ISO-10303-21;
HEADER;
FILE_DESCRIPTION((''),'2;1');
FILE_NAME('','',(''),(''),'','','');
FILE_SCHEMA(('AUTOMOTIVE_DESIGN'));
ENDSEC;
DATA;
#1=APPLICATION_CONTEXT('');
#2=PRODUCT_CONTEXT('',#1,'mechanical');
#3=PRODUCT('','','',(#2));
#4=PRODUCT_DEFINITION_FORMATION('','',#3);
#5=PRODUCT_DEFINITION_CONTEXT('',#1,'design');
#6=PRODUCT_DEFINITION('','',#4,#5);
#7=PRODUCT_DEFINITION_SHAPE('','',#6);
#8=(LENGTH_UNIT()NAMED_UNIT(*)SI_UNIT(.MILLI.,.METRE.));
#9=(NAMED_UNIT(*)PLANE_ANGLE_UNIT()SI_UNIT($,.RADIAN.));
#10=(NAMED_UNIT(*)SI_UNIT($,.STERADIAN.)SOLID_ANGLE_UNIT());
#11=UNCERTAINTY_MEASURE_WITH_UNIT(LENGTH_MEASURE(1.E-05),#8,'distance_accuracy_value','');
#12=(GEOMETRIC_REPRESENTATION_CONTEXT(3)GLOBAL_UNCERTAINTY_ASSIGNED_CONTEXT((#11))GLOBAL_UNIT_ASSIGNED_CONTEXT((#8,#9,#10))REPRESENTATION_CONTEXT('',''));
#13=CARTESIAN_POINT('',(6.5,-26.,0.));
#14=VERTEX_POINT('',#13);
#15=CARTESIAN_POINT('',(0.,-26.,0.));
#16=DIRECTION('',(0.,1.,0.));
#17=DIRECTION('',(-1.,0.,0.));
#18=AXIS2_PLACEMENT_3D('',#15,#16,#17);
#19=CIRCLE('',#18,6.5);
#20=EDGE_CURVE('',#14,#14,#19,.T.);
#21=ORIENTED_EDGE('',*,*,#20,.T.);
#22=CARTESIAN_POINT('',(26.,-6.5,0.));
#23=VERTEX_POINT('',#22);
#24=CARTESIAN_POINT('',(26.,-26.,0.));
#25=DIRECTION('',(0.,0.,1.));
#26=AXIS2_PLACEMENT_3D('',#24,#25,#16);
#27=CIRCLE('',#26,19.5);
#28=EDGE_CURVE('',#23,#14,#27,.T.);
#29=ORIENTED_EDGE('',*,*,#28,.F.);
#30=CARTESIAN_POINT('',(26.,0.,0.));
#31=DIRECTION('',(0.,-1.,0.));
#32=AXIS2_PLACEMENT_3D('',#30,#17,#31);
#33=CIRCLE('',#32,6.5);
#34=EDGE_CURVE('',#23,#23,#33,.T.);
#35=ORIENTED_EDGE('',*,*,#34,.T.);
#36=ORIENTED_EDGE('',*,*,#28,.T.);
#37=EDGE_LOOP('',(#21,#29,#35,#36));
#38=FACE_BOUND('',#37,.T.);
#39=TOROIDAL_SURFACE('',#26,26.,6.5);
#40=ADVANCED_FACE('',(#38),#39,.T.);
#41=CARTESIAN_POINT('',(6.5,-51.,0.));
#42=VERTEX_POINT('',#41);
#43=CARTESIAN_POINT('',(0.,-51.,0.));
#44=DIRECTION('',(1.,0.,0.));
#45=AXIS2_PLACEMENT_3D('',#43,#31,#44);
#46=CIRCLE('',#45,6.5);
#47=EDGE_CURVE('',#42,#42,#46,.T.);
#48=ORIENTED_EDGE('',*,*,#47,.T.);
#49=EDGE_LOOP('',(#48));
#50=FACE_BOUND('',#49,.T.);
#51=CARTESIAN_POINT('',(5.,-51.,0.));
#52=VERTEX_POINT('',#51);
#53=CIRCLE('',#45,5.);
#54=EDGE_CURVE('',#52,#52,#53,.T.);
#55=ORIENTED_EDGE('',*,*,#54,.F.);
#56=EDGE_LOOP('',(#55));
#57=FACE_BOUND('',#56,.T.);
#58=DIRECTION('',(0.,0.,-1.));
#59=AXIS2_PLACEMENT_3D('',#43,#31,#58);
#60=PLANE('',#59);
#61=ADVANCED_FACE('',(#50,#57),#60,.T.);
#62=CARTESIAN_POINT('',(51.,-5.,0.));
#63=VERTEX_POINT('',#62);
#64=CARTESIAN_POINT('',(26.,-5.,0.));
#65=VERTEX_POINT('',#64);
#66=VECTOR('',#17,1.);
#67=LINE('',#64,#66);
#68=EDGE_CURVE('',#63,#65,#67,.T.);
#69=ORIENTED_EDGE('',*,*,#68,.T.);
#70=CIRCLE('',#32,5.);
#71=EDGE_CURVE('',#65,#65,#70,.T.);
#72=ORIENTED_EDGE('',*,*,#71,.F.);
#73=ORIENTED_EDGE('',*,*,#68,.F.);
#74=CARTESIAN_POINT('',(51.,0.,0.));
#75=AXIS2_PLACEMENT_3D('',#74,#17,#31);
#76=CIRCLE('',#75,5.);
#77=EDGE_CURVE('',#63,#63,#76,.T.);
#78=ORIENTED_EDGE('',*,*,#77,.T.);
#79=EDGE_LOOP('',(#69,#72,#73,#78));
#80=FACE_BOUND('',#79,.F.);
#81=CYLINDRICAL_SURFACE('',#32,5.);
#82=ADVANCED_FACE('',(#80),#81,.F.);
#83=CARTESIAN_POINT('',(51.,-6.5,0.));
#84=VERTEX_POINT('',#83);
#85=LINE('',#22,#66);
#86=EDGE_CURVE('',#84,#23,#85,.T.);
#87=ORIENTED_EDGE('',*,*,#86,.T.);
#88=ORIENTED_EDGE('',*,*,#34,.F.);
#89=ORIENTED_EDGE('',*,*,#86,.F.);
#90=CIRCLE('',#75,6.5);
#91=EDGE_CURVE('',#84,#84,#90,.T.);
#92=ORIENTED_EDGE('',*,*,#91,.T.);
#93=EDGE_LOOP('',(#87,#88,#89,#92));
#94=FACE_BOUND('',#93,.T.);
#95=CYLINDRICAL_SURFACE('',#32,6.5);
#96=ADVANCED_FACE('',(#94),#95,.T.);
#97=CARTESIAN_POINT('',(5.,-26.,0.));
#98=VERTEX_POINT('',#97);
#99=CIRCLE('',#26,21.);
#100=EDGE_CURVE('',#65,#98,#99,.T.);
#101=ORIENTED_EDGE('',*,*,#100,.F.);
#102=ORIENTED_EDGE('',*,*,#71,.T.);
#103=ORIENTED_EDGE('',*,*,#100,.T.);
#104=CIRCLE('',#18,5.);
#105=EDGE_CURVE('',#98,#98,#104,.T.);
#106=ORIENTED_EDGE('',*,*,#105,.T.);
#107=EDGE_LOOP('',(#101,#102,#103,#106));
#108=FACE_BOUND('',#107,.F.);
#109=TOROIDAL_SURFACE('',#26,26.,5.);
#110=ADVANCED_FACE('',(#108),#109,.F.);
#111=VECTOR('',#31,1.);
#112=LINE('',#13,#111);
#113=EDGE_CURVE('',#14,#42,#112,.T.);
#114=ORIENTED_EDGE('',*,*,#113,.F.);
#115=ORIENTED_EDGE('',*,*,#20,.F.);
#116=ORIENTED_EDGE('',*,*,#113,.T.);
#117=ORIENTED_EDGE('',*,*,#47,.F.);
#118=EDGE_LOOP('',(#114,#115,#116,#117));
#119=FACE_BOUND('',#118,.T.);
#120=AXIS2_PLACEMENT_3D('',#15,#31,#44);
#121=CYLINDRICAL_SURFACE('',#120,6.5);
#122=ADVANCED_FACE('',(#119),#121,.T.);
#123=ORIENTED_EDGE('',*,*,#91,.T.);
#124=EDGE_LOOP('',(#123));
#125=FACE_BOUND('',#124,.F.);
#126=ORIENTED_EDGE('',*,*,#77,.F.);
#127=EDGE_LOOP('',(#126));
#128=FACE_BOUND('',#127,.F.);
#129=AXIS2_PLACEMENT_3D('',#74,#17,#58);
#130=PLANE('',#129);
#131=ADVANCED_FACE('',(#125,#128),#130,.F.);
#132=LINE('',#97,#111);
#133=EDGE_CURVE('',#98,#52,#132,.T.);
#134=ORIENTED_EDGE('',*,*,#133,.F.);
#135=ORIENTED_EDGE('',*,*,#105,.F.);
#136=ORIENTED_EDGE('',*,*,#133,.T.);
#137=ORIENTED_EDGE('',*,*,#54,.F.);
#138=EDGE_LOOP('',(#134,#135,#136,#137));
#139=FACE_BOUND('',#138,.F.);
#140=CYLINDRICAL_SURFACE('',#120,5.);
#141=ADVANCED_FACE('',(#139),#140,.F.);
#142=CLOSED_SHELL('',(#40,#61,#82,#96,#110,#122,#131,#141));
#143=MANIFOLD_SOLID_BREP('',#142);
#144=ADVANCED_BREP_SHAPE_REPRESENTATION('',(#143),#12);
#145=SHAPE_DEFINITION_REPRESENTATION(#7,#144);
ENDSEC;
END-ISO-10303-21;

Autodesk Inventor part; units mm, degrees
ref_plane "YZ Plane" through (0, 0, 0) normal (1, 0, 0) x (0, 1, 0)
ref_plane "XZ Plane" through (0, 0, 0) normal (0, 1, 0) x (-1, 0, 0)
sketch "Szkic6" plane through (0, 0, 0) normal (0, 0, 1) x (1, 0, 0)
  line L0 (-29.6067, 0) -> (35.2678, 0) construction
  line L1 (0, 42.3419) -> (0, -58.3726) construction
  arc A0 (26, 0) -> (0, -26) centre (26, -26) ccw
  line L2 (0, -26) -> (26, -26) construction
  line L3 (26, -26) -> (26, 39.5331) construction
  line L4 (26, 0) -> (51, 0)
  line L5 (0, -26) -> (0, -51)
  point P0 (0, 0)
  dimension "d24" = 26
  dimension "d31" = 90
  dimension "d36" = 25
  dimension "d37" = 25
ref_plane "Płaszczyzna konstrukcyjna2" through (0, -26, 0) normal (0, -1, 0) x (1, 0, 0)
sketch "Szkic8" plane through (0, -26, 0) normal (0, -1, 0) x (1, 0, 0)
  circle A0 centre (0, 0) radius 6.5
  circle A1 centre (0, 0) radius 5
  dimension "d32" = 13
  dimension "d33" = 1.5
sweep "Przeciągnięcie2" add profiles "Szkic8" path "Szkic6"
equation "\"d32\" = OD"
equation "\"d33\" = THK"
equation "\"d24\" = R"
equation "\"d31\" = KAT"
equation "\"d36\" = PROSTKA"
equation "\"d37\" = PROSTKA"
equation "\"SzerokośćGięciaPodcięcia\" = Grubość"
equation "\"RozmiarPodcięciaNarożnika\" = 4 * Grubość"
equation "\"PromieńPrzejścia\" = PromieńGięcia"
equation "\"Rozmiar_promienia_Jacobiego\" = PromieńGięcia"
equation "\"Wielk_odstępu\" = Grubość"
equation "\"d2\" = PromieńGięcia"
equation "\"d23\" = PromieńGięcia"
equation "\"R\" = 26"
equation "\"OD\" = 13"
equation "\"THK\" = 1.5"
equation "\"KAT\" = 90deg"
equation "\"PROSTKA\" = 25"
equation "\"Grubość\" = 1.5"
equation "\"PromieńGięcia\" = 3"
properties part number "Kolano 90° ø13x1,5 R26" material "304L"
